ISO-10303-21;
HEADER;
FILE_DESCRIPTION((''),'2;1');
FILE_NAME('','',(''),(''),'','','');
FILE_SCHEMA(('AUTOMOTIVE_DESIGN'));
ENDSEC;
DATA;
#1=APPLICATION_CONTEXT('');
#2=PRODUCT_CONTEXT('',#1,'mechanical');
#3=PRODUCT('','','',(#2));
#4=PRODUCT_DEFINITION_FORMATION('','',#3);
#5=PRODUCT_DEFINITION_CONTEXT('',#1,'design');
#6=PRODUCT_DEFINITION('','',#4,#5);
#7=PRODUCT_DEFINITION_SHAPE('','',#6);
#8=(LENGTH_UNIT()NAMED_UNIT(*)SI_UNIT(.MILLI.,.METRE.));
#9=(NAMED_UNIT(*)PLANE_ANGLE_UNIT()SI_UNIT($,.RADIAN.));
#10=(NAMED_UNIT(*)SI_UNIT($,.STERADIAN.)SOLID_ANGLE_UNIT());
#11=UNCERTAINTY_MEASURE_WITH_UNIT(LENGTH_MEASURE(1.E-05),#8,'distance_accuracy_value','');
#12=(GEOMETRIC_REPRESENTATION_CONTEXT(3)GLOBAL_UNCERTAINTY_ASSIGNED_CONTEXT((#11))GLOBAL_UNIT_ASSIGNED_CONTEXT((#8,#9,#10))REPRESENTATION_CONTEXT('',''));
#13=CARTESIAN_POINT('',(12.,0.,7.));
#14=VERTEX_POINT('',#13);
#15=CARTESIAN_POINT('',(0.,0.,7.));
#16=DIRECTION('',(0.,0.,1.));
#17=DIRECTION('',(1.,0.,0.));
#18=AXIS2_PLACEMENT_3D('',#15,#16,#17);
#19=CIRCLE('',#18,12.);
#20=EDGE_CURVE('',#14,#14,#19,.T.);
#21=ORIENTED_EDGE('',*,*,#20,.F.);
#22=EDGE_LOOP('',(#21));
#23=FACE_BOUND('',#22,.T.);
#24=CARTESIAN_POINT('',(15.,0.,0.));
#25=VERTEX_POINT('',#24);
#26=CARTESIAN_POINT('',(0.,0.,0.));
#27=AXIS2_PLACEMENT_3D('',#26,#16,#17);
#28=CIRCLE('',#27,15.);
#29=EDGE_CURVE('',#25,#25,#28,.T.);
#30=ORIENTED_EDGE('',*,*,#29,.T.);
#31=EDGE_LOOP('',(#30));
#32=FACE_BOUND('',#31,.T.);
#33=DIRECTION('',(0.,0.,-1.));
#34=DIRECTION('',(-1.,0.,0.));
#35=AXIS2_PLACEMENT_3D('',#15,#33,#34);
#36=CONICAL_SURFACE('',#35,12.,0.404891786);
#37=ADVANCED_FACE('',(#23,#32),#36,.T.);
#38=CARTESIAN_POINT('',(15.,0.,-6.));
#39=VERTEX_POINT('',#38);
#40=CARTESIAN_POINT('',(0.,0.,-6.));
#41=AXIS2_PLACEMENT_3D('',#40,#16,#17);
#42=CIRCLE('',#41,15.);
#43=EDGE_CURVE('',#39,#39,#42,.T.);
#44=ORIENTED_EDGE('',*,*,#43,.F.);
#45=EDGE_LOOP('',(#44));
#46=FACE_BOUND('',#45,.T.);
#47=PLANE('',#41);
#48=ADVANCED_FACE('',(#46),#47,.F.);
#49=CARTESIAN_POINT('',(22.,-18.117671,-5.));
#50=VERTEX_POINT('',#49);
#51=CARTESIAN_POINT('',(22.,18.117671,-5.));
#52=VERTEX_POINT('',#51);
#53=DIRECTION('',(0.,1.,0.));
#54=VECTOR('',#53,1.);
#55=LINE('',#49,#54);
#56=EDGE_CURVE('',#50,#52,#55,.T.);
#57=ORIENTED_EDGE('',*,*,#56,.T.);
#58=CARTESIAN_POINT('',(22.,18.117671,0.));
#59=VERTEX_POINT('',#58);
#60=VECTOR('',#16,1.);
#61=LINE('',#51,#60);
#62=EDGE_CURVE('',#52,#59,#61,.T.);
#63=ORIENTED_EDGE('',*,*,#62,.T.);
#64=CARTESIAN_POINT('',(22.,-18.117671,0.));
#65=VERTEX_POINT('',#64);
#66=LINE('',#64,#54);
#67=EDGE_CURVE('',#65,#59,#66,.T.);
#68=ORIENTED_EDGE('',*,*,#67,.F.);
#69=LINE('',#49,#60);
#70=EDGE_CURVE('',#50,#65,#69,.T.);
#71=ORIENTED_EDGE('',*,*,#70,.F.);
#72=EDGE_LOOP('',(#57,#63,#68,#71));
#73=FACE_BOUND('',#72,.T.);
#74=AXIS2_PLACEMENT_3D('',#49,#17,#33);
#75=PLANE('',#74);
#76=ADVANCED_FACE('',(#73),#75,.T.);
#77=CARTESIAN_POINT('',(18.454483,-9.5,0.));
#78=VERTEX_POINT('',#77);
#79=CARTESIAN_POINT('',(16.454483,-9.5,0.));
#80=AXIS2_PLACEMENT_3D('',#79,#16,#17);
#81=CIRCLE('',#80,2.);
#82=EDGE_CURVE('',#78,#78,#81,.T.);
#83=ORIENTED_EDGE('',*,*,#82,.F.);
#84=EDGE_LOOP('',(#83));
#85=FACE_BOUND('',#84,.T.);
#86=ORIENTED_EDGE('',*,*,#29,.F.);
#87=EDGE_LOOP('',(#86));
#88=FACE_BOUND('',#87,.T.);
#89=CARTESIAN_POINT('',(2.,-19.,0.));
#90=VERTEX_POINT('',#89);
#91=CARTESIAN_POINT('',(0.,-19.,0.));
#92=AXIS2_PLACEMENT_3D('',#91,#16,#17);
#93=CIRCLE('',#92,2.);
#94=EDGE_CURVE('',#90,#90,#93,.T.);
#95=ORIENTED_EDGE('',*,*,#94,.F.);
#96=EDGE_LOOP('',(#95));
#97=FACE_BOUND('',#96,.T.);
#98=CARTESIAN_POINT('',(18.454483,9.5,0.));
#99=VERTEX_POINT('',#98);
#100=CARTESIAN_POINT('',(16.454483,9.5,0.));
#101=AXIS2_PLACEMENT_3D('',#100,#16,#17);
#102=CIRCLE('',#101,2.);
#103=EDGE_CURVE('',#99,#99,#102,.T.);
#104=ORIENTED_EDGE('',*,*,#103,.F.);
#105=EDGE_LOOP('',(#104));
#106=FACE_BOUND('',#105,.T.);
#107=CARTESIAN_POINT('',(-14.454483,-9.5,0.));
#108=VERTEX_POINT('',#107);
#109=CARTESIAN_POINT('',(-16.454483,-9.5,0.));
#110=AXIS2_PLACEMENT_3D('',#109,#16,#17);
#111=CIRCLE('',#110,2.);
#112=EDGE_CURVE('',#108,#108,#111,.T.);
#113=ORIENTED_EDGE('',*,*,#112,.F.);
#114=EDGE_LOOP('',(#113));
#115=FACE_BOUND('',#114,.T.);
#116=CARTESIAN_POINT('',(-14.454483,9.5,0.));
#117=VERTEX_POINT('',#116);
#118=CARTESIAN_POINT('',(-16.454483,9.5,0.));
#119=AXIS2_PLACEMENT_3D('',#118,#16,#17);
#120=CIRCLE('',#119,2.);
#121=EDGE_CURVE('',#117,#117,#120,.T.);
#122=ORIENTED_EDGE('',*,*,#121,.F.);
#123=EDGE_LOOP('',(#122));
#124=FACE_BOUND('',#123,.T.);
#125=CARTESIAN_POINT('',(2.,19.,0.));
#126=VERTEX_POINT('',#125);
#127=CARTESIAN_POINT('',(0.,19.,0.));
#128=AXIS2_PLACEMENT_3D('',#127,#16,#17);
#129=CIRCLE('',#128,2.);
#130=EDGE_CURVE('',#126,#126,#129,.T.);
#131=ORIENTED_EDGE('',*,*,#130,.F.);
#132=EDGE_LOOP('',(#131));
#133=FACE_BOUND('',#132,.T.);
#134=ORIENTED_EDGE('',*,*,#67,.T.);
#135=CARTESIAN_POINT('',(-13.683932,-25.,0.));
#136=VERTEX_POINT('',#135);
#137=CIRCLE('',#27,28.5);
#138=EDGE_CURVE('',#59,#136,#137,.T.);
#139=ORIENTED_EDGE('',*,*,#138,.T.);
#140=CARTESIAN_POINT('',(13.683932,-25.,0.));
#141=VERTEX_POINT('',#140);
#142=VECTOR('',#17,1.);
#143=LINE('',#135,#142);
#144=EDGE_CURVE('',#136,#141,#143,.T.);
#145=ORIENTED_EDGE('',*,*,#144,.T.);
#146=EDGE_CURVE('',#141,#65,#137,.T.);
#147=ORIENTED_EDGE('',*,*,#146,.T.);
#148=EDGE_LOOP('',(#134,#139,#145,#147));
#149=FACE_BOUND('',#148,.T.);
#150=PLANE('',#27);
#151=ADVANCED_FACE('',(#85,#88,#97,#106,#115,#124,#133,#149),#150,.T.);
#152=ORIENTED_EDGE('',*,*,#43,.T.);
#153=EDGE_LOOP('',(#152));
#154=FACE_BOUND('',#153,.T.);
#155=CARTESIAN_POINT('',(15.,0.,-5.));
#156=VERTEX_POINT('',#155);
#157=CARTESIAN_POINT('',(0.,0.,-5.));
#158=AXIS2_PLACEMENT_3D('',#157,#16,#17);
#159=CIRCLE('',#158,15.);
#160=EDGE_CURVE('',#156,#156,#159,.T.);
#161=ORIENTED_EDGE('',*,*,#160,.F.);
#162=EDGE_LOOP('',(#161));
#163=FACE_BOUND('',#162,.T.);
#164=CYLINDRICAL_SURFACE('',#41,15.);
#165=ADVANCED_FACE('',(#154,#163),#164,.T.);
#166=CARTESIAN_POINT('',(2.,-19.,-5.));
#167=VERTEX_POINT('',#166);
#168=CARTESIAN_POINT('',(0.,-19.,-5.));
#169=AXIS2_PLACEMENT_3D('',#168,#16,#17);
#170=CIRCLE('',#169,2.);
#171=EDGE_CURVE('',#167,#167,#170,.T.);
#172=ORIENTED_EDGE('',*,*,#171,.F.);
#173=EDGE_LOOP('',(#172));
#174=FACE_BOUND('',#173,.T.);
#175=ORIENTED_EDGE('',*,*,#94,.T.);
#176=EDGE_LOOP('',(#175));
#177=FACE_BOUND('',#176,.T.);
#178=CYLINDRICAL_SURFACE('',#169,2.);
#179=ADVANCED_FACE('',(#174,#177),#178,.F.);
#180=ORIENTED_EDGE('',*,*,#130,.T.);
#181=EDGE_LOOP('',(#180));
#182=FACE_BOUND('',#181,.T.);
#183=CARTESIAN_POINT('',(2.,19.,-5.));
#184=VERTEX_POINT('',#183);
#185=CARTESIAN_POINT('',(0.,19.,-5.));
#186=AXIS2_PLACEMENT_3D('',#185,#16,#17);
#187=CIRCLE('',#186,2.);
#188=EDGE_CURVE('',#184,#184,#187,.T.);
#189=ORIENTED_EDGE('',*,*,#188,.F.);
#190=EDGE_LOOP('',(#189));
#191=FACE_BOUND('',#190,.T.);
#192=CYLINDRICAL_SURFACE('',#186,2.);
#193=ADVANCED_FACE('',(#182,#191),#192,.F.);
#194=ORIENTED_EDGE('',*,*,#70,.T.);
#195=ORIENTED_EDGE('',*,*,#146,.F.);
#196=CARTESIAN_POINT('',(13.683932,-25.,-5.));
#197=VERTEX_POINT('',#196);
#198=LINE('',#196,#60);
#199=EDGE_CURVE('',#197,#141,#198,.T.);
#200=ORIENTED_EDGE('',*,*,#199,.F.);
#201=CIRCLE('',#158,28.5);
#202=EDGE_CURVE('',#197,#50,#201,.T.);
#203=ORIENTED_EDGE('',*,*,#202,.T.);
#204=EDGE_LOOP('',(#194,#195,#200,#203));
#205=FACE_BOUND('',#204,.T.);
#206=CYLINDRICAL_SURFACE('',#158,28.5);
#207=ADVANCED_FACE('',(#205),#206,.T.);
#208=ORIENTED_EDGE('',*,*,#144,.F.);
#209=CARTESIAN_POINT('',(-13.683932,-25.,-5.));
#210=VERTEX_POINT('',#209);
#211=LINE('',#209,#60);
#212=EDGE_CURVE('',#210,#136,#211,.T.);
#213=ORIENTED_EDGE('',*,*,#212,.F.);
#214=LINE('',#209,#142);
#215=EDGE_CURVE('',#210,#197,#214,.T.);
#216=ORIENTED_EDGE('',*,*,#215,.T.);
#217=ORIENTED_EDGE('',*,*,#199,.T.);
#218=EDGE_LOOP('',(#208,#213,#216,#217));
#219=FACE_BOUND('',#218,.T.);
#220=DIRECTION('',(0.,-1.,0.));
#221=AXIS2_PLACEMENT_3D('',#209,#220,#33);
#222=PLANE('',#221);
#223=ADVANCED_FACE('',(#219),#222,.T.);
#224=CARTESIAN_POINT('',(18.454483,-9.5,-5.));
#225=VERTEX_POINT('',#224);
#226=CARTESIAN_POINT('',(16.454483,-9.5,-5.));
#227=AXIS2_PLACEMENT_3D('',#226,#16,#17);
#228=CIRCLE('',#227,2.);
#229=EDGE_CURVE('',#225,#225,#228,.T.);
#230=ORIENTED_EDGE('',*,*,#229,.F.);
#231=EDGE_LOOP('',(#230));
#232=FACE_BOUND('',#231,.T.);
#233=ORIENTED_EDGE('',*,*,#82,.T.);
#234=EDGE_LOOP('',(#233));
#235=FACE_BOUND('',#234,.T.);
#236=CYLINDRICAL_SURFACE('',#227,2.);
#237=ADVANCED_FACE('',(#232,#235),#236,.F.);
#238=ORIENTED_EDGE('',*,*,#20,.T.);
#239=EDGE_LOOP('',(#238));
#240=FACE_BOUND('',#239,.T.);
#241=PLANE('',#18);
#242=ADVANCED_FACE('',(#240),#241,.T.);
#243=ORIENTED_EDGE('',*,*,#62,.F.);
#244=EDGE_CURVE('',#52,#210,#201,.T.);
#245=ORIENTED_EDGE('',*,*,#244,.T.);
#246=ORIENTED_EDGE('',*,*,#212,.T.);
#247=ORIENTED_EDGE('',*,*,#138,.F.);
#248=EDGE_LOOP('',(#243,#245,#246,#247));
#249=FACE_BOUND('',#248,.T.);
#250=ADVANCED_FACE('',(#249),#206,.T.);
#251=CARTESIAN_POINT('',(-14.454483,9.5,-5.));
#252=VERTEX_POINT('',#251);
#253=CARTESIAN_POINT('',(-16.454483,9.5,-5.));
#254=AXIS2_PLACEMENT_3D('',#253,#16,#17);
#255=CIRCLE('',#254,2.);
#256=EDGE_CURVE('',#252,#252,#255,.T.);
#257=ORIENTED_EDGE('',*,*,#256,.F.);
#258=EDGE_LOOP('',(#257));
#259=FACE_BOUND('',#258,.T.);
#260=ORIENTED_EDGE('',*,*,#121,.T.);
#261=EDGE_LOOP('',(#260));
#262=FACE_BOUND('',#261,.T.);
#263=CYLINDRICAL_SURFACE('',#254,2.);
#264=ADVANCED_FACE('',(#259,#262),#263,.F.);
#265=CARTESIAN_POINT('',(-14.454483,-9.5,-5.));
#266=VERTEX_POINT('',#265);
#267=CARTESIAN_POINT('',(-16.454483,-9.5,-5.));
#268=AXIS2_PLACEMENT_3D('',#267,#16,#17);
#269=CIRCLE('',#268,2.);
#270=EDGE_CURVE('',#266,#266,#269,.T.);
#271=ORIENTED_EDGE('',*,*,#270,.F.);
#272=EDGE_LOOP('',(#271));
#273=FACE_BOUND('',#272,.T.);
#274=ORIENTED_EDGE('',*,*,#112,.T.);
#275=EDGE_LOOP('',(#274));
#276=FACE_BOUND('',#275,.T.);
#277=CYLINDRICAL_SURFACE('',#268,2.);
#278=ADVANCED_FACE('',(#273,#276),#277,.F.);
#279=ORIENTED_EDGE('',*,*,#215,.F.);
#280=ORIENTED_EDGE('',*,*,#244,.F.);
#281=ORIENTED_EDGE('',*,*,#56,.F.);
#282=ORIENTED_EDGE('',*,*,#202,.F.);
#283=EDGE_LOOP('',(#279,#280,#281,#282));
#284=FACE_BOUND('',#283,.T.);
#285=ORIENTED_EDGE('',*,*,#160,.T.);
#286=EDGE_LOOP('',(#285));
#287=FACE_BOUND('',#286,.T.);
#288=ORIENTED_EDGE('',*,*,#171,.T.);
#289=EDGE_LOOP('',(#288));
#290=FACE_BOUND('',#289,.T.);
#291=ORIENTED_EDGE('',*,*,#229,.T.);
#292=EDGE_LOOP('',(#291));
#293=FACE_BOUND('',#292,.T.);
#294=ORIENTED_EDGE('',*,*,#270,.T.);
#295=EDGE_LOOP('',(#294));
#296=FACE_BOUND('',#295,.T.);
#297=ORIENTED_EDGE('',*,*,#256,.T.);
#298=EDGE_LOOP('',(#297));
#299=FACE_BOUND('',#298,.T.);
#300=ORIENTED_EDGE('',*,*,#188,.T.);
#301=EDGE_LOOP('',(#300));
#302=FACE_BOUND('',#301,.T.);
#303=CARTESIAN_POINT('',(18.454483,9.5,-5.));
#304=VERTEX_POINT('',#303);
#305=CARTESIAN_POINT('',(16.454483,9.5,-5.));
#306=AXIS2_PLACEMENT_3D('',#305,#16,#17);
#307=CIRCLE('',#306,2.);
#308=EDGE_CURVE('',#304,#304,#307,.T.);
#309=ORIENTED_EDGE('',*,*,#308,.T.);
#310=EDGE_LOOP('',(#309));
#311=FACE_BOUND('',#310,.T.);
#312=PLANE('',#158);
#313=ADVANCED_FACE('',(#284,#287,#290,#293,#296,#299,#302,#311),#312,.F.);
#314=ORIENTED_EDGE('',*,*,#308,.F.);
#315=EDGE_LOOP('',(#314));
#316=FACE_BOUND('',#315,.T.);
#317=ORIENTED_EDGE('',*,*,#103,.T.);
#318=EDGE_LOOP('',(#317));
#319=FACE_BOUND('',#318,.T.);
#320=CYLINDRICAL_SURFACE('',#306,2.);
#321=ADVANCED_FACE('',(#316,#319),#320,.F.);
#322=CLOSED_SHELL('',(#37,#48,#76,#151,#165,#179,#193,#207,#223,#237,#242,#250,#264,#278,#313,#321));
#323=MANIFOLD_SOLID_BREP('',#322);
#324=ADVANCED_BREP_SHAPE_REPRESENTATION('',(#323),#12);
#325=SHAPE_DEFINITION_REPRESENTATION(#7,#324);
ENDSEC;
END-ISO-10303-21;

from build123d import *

# Parameters (mm, degrees)
SKETCH1_R           = 15
SKETCH1_R_2         = 2
BOSS_EXTRUDE1_DEPTH = 5
SKETCH1_2_R         = 15
BOSS_EXTRUDE2_DEPTH = 6
SKETCH2_R           = 12
SKETCH1_4_R         = 15


with BuildPart() as part:
    # Sketch1 → Boss-Extrude1 (new body)
    with BuildSketch(Plane.XY):
        with BuildLine():
            Line((22, -18.117670932), (22, 18.117670932))
            ThreePointArc((22, 18.117670932), (-21.956152501, 18.170783345), (-13.683932183, -25))
            Line((-13.683932183, -25), (13.683932183, -25))
            ThreePointArc((13.683932183, -25), (18.170783345, -21.956152501), (22, -18.117670932))
        make_face()
        Circle(SKETCH1_R, mode=Mode.SUBTRACT)
        with Locations((0, 19)):
            Circle(SKETCH1_R_2, mode=Mode.SUBTRACT)
        with Locations((16.454482672, 9.5)):
            Circle(SKETCH1_R_2, mode=Mode.SUBTRACT)
        with Locations((16.454482672, -9.5)):
            Circle(SKETCH1_R_2, mode=Mode.SUBTRACT)
        with Locations((0, -19)):
            Circle(SKETCH1_R_2, mode=Mode.SUBTRACT)
        with Locations((-16.454482672, -9.5)):
            Circle(SKETCH1_R_2, mode=Mode.SUBTRACT)
        with Locations((-16.454482672, 9.5)):
            Circle(SKETCH1_R_2, mode=Mode.SUBTRACT)
    extrude(amount=-BOSS_EXTRUDE1_DEPTH)

    # Sketch1<2> → Boss-Extrude2 (add)
    with BuildSketch(Plane.XY):
        Circle(SKETCH1_2_R)
    extrude(amount=-BOSS_EXTRUDE2_DEPTH)

    # Sketch2 → Loft1 section 0
    with BuildSketch(Plane.XY.offset(7)):
        Circle(SKETCH2_R)
    # Sketch1<4> → Loft1 section 1
    with BuildSketch(Plane.XY):
        Circle(SKETCH1_4_R)
    loft()


solid = part.part
